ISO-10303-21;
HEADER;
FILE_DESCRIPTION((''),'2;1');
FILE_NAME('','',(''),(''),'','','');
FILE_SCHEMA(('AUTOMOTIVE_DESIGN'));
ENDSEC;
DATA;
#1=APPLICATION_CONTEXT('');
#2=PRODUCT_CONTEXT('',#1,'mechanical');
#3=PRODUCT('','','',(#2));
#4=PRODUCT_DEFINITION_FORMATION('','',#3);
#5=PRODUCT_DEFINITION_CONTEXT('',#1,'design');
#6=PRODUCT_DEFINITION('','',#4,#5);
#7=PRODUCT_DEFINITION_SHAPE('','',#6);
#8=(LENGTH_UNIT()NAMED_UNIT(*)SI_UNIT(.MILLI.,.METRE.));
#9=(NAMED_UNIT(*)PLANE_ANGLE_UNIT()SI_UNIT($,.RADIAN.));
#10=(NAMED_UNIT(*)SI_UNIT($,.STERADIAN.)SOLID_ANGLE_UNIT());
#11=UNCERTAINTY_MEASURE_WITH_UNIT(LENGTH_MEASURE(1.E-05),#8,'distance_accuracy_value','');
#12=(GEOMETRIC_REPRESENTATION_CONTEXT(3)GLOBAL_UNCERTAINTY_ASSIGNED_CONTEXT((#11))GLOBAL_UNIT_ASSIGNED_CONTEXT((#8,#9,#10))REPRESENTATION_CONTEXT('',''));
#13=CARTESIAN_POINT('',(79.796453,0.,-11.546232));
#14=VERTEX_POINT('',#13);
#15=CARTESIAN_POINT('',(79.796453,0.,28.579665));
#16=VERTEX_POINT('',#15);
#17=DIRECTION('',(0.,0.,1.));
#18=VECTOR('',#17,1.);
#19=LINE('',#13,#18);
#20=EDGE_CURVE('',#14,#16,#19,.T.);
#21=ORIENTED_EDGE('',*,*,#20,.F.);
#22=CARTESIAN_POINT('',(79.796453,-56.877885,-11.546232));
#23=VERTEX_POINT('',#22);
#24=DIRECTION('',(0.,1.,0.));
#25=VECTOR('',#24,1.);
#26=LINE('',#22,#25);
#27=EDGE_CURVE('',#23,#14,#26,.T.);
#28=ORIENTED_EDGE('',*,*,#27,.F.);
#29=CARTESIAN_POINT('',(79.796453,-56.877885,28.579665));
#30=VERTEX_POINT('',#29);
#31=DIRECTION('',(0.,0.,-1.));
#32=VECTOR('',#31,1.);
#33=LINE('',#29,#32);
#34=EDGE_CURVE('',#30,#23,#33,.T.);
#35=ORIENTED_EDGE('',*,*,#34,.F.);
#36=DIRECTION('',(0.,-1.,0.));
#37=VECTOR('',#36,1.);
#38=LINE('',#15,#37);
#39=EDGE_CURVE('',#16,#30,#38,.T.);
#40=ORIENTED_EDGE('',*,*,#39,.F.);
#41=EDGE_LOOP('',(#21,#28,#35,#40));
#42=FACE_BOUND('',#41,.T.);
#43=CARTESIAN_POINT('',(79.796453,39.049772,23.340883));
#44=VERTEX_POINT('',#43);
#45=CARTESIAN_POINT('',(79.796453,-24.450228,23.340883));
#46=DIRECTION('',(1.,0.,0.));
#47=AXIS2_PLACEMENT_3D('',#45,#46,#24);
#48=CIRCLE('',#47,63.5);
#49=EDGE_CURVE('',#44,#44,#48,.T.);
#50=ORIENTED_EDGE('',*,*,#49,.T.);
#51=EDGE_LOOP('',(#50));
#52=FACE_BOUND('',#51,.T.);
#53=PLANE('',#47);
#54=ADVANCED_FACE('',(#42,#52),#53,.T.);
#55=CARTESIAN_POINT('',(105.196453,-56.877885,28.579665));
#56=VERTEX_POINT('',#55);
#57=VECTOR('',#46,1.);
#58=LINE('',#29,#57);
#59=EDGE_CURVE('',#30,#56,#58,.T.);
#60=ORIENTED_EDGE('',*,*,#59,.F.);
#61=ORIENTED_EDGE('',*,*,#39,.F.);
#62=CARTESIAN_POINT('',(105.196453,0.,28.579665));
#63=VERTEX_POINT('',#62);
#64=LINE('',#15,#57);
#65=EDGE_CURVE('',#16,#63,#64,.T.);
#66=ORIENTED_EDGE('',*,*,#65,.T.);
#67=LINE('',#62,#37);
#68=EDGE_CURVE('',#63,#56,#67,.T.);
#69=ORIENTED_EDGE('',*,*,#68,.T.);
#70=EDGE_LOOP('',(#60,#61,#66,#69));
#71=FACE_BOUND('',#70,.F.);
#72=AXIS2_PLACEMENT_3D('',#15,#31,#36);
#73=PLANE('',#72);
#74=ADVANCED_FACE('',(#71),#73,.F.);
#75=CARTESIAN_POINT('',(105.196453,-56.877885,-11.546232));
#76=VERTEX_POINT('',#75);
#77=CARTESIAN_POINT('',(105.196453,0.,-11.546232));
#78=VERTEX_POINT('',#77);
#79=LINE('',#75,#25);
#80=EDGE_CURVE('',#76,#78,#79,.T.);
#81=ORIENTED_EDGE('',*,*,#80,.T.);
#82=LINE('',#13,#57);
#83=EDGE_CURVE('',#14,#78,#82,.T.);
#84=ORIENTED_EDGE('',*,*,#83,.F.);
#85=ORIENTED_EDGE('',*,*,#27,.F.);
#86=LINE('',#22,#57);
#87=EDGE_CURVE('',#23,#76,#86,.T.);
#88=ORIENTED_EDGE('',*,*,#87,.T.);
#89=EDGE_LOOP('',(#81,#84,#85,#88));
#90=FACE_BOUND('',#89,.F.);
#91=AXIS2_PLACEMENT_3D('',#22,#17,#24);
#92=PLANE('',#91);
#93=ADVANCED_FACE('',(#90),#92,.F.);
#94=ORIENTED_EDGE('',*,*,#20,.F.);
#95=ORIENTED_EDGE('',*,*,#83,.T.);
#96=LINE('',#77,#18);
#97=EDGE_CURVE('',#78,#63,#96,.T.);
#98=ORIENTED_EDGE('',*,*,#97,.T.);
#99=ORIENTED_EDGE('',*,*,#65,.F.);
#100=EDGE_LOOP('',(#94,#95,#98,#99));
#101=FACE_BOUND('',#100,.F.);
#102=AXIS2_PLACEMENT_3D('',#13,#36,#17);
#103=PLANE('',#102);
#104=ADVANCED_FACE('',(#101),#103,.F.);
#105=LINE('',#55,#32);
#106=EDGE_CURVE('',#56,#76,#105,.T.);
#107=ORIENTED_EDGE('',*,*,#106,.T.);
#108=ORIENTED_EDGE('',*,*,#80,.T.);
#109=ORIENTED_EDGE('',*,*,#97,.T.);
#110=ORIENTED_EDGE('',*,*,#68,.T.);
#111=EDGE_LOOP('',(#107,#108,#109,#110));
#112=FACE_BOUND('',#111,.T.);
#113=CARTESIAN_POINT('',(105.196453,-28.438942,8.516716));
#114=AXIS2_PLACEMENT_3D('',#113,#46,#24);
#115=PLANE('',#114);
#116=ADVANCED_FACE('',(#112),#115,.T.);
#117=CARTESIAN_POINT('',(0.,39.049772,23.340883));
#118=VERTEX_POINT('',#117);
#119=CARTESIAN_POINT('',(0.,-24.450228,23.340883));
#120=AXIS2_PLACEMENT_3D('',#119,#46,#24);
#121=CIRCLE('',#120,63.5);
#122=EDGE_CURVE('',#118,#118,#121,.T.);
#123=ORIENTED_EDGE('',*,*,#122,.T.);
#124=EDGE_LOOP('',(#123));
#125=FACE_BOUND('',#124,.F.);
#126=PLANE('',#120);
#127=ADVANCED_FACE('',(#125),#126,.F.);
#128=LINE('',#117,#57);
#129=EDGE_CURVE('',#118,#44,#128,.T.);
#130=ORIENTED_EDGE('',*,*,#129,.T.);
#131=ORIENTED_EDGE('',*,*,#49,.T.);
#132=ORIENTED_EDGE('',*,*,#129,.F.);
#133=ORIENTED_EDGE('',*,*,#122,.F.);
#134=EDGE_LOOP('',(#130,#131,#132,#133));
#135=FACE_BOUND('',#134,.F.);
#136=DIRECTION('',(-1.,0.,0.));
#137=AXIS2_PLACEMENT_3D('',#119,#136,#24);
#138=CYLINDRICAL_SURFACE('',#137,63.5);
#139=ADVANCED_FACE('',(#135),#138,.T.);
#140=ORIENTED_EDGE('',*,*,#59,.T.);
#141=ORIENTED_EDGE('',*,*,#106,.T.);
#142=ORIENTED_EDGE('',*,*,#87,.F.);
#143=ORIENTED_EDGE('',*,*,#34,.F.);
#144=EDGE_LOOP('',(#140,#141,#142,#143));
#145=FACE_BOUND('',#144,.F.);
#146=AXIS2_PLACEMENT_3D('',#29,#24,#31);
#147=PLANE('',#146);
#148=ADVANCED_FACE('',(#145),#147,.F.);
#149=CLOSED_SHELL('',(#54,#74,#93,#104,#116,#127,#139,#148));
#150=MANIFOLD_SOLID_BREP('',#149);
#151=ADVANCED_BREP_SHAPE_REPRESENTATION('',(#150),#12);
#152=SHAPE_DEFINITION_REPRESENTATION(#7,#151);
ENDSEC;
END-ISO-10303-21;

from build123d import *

# Parameters (mm, degrees)
F0_R     = 63.5
F1_DEPTH = 79.796453
F3_DEPTH = 40.894
F4_DEPTH = 25.4


with BuildPart() as f1:
    # F0 (on Right) → F1 (new body)
    with BuildSketch(Plane.YZ):
        with Locations((-24.450228, 23.340883)):
            Circle(F0_R)
    extrude(amount=F1_DEPTH)

    # F2 (on face) → F3 (join)
    with BuildSketch(Plane.YZ.offset(79.796453)):
        Polygon((0, 28.579665), (-56.877885, 28.579665), (-56.877885, -11.546232), (0, -11.546232), (0, 8.516717), align=None)
    extrude(amount=-F3_DEPTH)

    # F2 (on face) → F4 (join)
    with BuildSketch(Plane.YZ.offset(79.796453)):
        Polygon((0, 28.579665), (-56.877885, 28.579665), (-56.877885, -11.546232), (0, -11.546232), (0, 8.516717), align=None)
    extrude(amount=F4_DEPTH)


solid = f1.part
